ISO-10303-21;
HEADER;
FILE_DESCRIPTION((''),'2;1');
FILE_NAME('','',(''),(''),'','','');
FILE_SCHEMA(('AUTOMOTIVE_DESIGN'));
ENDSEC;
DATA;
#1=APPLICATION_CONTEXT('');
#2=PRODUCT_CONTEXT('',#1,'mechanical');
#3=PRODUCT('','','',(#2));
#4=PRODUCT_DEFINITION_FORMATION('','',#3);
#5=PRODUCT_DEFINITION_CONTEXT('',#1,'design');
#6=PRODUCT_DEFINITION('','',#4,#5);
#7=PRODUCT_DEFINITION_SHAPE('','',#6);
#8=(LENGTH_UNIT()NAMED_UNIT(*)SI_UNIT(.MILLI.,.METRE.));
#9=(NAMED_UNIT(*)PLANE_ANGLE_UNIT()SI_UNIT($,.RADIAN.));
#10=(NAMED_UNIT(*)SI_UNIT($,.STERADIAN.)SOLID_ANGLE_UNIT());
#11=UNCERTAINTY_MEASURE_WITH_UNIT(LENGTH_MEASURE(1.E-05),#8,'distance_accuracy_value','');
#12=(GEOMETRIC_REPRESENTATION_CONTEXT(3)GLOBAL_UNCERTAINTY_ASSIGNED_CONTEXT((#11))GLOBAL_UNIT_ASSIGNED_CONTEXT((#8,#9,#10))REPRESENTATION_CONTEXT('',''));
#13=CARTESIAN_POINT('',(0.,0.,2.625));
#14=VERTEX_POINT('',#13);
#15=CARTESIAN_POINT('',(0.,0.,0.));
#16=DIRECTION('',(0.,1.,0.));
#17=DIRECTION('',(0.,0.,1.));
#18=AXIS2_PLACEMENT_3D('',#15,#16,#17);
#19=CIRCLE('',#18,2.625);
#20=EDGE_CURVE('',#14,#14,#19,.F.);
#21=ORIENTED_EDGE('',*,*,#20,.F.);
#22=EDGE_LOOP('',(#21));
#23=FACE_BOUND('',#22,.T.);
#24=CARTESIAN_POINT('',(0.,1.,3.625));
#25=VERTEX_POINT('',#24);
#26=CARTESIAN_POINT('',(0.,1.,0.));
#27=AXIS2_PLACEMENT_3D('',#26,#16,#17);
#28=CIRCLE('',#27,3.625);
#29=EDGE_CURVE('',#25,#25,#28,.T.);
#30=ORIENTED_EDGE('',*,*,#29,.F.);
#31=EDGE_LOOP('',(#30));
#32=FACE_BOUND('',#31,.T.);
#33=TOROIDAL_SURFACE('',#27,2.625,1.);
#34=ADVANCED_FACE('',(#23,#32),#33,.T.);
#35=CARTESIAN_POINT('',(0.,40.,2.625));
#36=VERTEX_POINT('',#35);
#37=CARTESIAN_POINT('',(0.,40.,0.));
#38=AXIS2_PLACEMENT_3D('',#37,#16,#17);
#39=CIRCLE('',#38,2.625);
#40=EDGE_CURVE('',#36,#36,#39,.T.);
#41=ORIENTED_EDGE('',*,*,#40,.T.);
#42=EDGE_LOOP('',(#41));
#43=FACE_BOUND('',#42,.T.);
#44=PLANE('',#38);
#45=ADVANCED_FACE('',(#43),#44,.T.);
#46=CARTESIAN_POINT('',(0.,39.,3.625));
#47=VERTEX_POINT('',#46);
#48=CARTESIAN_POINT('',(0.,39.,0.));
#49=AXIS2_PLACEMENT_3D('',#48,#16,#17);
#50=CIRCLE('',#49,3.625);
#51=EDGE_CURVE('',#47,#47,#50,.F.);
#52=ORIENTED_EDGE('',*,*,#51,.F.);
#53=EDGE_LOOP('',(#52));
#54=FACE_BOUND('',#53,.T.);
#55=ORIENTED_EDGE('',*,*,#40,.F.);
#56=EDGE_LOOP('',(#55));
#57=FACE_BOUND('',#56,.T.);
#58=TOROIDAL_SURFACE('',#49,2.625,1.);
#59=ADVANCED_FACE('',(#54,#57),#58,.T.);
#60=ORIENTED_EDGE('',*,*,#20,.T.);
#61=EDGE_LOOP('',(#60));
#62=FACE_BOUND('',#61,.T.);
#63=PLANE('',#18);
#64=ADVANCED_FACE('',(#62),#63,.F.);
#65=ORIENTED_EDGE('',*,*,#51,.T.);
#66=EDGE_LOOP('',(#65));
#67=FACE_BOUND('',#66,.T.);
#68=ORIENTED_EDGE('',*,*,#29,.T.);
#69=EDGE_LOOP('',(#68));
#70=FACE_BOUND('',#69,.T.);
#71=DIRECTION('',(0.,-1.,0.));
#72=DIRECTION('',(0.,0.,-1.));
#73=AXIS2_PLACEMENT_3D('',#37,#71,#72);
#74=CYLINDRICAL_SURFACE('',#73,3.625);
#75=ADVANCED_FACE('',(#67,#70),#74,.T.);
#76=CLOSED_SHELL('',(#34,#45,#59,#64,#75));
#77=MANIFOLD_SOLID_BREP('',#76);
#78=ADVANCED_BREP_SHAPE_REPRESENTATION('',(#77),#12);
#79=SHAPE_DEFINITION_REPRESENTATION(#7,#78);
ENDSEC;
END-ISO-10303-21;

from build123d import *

# Parameters (mm, degrees)
ESQUISSE1_R        = 3.625
BOSS_EXTRU_1_DEPTH = 40
CONG_1_R           = 1
CONG_2_R           = 1


with BuildPart() as part:
    # Esquisse1 → Boss.-Extru.1 (new body)
    with BuildSketch(Plane(origin=(0, 0, 0), x_dir=(1, 0, 0), z_dir=(0, 1, 0))):
        with Locations(Location((0, 0, 0), (0, 0, 270))):
            Circle(ESQUISSE1_R)
    extrude(amount=BOSS_EXTRU_1_DEPTH)

    # Congé1
    cong_1_edges = [part.edges().sort_by_distance(p)[0] for p in [
        (0, 40, -3.625),
    ]]
    fillet(cong_1_edges, radius=CONG_1_R)

    # Congé2
    cong_2_edges = [part.edges().sort_by_distance(p)[0] for p in [
        (0, 0, -3.625),
    ]]
    fillet(cong_2_edges, radius=CONG_2_R)


solid = part.part
